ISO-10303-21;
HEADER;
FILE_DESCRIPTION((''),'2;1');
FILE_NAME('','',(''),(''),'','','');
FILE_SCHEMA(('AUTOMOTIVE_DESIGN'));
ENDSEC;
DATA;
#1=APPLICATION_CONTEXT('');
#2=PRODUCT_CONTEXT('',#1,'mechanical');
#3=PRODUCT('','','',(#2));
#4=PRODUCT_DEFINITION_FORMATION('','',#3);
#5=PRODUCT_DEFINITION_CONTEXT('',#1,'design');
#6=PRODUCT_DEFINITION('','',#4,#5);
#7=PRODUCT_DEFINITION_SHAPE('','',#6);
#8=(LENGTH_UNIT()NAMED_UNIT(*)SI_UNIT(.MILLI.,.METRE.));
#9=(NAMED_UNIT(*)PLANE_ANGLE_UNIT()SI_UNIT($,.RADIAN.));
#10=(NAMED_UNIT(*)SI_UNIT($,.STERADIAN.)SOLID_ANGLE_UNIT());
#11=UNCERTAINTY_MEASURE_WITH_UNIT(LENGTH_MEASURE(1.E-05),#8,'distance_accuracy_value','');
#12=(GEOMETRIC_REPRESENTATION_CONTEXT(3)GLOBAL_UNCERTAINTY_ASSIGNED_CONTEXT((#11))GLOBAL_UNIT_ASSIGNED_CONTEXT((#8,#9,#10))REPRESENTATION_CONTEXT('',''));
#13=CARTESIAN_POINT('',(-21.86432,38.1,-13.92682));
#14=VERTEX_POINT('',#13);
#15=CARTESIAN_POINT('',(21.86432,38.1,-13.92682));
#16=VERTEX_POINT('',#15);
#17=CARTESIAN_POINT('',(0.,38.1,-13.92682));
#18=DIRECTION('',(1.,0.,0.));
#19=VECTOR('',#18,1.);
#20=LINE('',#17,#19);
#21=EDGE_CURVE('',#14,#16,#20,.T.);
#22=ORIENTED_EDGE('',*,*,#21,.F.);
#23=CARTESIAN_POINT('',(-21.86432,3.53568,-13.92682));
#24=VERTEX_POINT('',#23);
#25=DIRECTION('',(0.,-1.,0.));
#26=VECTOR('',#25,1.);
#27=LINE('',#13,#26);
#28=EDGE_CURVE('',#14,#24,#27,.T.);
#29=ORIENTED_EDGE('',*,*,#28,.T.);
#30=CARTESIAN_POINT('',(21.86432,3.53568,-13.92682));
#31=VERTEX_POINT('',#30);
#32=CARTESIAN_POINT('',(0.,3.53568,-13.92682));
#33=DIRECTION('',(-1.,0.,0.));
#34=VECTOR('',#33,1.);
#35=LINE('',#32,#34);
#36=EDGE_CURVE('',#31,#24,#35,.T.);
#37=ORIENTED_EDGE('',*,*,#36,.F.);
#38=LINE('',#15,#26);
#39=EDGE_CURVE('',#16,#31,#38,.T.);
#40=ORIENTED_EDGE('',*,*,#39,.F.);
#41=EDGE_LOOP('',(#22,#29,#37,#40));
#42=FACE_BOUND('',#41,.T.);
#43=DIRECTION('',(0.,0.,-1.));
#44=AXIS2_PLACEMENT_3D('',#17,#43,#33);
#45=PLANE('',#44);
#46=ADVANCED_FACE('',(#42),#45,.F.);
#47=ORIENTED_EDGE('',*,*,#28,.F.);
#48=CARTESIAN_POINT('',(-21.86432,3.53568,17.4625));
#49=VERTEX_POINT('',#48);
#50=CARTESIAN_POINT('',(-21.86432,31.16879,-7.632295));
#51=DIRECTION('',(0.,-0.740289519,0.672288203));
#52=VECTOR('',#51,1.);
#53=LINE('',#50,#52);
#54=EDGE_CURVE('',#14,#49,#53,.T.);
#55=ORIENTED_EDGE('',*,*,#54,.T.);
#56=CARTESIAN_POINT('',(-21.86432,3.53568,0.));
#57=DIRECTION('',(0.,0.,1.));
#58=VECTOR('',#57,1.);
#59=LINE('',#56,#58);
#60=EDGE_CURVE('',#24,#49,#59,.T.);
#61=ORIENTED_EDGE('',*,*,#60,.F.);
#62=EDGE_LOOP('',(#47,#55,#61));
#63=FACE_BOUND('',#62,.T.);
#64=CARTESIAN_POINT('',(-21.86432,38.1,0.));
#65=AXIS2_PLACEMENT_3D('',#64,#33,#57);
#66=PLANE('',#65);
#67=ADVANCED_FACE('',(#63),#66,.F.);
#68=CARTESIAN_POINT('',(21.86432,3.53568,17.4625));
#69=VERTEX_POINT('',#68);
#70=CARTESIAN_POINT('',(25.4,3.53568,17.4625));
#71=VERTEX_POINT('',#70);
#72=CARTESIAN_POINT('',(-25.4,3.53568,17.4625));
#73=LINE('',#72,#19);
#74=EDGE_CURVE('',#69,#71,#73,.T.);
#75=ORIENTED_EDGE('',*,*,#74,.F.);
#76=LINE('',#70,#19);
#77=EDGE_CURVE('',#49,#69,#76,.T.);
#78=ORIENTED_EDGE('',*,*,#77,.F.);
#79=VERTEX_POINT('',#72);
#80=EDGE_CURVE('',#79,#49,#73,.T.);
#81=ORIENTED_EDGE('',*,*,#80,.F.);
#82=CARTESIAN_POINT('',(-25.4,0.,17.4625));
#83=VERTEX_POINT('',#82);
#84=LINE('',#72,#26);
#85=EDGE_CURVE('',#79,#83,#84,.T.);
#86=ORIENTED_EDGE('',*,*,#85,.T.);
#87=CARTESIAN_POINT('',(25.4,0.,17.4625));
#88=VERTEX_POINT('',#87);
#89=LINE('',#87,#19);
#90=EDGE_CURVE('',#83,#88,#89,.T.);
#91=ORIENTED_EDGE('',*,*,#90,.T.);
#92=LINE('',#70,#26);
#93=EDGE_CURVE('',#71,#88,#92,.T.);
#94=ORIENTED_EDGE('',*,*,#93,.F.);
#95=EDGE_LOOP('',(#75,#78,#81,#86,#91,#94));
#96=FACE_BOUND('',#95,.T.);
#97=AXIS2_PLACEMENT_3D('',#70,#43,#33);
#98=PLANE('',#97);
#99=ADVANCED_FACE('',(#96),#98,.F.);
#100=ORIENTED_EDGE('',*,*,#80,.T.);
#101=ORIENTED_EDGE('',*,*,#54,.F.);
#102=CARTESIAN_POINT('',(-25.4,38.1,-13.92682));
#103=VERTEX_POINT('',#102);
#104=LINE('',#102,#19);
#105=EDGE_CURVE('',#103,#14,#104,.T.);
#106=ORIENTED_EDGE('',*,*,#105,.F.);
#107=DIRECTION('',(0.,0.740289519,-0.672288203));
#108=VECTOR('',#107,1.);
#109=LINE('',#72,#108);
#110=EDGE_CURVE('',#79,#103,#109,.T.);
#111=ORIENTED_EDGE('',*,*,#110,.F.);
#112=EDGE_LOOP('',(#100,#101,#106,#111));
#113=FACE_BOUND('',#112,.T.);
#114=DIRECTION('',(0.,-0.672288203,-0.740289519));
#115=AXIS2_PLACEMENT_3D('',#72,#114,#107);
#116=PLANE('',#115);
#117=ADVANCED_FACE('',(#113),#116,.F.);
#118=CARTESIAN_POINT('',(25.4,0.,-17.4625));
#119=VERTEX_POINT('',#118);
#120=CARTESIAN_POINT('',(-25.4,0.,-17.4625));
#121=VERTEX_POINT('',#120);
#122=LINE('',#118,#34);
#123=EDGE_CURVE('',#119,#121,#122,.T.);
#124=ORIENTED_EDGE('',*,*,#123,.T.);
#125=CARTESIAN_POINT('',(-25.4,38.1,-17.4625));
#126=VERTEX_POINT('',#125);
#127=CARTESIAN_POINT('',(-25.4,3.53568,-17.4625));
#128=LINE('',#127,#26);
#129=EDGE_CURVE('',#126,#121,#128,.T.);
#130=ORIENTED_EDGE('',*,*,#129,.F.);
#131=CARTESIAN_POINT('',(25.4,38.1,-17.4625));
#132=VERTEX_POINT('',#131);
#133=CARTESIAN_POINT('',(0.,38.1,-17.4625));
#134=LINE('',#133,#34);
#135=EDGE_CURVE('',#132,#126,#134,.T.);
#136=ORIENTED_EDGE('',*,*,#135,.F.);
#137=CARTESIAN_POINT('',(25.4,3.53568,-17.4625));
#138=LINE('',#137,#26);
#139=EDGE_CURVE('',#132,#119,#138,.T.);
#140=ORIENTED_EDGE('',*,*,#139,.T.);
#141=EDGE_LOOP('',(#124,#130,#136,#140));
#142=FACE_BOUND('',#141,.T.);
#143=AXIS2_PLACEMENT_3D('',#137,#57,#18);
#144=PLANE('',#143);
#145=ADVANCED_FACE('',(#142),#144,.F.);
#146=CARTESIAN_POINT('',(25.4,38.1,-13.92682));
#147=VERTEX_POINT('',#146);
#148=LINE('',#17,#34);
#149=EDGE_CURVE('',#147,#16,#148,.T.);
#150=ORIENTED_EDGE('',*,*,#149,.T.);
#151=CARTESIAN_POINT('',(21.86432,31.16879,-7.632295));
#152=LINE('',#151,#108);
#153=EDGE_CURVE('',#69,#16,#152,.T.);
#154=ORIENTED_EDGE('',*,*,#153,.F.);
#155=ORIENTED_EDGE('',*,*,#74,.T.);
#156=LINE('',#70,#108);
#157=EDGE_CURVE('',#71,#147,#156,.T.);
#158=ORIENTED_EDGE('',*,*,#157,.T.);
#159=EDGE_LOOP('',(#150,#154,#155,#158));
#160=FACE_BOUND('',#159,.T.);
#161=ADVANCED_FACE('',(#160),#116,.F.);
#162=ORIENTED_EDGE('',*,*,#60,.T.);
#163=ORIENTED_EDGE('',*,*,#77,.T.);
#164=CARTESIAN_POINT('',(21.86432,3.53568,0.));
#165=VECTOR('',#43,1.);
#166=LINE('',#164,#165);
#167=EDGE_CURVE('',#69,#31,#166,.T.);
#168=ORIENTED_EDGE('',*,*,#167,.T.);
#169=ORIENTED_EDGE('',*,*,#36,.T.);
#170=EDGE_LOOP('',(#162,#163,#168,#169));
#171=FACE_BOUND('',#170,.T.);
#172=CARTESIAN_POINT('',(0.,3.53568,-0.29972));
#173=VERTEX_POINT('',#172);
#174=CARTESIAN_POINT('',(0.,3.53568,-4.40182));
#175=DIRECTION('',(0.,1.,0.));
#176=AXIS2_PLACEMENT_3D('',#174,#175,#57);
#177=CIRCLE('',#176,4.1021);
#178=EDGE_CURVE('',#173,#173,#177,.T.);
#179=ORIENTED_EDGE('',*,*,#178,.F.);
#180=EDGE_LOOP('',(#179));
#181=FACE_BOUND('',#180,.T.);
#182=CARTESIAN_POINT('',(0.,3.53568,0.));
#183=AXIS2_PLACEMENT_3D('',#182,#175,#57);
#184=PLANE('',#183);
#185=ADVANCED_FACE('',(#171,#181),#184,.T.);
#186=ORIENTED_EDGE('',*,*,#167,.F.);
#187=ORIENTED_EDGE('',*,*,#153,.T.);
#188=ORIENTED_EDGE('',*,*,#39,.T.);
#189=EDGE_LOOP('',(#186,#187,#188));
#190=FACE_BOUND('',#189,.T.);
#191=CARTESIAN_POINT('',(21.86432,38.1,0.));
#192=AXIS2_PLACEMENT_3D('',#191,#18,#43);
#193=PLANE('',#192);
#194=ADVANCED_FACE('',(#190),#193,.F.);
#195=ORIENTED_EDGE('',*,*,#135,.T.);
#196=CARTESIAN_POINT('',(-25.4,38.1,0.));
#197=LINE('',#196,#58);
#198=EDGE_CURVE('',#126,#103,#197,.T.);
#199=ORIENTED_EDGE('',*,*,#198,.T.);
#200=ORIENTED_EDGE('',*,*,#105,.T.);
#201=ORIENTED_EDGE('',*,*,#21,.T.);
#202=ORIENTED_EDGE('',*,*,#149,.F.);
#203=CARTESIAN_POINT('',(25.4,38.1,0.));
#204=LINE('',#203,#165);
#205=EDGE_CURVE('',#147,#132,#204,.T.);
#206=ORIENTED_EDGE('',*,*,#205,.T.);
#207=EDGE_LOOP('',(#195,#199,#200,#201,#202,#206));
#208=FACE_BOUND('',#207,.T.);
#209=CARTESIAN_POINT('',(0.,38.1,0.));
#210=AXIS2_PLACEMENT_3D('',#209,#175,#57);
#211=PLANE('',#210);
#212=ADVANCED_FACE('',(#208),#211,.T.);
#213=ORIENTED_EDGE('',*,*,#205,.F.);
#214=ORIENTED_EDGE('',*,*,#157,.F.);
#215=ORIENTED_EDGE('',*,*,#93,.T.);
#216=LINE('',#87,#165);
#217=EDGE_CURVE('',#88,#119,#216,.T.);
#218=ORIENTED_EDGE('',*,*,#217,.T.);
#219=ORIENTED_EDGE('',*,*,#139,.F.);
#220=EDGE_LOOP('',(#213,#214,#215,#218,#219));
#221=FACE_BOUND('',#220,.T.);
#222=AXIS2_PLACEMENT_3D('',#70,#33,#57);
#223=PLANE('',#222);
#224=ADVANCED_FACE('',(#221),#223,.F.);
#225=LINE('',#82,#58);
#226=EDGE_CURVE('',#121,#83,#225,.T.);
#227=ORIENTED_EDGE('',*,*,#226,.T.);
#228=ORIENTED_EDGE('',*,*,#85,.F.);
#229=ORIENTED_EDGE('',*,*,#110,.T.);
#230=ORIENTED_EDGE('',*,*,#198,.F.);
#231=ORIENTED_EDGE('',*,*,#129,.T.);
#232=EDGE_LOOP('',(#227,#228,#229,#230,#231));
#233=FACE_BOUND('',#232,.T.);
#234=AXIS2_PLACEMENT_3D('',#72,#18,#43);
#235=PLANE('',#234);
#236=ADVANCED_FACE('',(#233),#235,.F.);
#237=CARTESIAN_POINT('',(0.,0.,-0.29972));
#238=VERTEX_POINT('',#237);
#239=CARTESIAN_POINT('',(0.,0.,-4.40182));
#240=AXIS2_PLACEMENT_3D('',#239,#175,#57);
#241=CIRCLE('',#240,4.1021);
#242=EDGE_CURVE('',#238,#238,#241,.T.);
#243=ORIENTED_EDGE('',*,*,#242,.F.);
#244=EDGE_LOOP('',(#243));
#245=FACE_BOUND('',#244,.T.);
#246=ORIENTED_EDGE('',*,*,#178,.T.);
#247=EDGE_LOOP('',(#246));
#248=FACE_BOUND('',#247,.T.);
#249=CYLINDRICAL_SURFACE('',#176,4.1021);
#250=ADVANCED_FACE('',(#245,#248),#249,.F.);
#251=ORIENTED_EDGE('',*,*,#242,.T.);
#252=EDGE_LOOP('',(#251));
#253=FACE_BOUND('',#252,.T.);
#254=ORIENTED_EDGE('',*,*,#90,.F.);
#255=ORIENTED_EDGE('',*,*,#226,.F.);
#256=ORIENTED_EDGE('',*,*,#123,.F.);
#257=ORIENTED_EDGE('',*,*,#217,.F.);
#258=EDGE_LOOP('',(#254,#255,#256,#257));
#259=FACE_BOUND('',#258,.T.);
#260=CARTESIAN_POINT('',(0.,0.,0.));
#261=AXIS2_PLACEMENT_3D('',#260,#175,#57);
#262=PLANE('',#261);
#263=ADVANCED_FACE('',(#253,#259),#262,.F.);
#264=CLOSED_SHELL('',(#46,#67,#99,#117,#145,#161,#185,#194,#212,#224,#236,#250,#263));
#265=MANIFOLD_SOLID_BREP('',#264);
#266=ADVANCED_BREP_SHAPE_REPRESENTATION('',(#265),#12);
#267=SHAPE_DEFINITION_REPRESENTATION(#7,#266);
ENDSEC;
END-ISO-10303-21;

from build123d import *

# Parameters (mm, degrees)
SKETCH1_W                = 50.8
SKETCH1_H                = 34.925
BOSS_EXTRUDE1_DEPTH      = 3.53568
BOSS_EXTRUDE2_START      = -3.53568
BOSS_EXTRUDE2_DEPTH      = 38.1
CUT_EXTRUDE1_DEPTH       = 66.857337528
F_5_16_CLEARANCE_HOLE1_D = 8.2042


with BuildPart() as part:
    # Sketch1 → Boss-Extrude1 (new body)
    with BuildSketch(Plane(origin=(0, 0, 0), x_dir=(1, 0, 0), z_dir=(0, 1, 0))):
        Rectangle(SKETCH1_W, SKETCH1_H)
    extrude(amount=BOSS_EXTRUDE1_DEPTH)

    # Sketch2 → Boss-Extrude2 (add)
    with BuildSketch(Plane(origin=(0, 3.53568, 0), x_dir=(1, 0, 0), z_dir=(0, 1, 0)).offset(BOSS_EXTRUDE2_START)):
        Polygon((21.86432, -17.4625), (25.4, -17.4625), (25.4, 17.4625), (-25.4, 17.4625), (-25.4, -17.4625), (-21.86432, -17.4625), (-21.86432, 13.92682), (21.86432, 13.92682), align=None)
    extrude(amount=BOSS_EXTRUDE2_DEPTH)

    # Sketch3 → Cut-Extrude1 (cut, through all)
    with BuildSketch(Plane(origin=(25.4, 0, 0), x_dir=(0, 0, -1), z_dir=(1, 0, 0))):
        Polygon((-17.4625, 3.53568), (13.92682, 38.1), (-17.4625, 38.1), align=None)
    extrude(amount=-CUT_EXTRUDE1_DEPTH, mode=Mode.SUBTRACT)

    # 5/16 Clearance Hole1 (through all)
    with Locations(Plane(origin=(0, 3.53568, 0), x_dir=(1, 0, 0), z_dir=(0, 1, 0))):
        with Locations((0, 4.40182)):
            Hole(F_5_16_CLEARANCE_HOLE1_D / 2)


solid = part.part
